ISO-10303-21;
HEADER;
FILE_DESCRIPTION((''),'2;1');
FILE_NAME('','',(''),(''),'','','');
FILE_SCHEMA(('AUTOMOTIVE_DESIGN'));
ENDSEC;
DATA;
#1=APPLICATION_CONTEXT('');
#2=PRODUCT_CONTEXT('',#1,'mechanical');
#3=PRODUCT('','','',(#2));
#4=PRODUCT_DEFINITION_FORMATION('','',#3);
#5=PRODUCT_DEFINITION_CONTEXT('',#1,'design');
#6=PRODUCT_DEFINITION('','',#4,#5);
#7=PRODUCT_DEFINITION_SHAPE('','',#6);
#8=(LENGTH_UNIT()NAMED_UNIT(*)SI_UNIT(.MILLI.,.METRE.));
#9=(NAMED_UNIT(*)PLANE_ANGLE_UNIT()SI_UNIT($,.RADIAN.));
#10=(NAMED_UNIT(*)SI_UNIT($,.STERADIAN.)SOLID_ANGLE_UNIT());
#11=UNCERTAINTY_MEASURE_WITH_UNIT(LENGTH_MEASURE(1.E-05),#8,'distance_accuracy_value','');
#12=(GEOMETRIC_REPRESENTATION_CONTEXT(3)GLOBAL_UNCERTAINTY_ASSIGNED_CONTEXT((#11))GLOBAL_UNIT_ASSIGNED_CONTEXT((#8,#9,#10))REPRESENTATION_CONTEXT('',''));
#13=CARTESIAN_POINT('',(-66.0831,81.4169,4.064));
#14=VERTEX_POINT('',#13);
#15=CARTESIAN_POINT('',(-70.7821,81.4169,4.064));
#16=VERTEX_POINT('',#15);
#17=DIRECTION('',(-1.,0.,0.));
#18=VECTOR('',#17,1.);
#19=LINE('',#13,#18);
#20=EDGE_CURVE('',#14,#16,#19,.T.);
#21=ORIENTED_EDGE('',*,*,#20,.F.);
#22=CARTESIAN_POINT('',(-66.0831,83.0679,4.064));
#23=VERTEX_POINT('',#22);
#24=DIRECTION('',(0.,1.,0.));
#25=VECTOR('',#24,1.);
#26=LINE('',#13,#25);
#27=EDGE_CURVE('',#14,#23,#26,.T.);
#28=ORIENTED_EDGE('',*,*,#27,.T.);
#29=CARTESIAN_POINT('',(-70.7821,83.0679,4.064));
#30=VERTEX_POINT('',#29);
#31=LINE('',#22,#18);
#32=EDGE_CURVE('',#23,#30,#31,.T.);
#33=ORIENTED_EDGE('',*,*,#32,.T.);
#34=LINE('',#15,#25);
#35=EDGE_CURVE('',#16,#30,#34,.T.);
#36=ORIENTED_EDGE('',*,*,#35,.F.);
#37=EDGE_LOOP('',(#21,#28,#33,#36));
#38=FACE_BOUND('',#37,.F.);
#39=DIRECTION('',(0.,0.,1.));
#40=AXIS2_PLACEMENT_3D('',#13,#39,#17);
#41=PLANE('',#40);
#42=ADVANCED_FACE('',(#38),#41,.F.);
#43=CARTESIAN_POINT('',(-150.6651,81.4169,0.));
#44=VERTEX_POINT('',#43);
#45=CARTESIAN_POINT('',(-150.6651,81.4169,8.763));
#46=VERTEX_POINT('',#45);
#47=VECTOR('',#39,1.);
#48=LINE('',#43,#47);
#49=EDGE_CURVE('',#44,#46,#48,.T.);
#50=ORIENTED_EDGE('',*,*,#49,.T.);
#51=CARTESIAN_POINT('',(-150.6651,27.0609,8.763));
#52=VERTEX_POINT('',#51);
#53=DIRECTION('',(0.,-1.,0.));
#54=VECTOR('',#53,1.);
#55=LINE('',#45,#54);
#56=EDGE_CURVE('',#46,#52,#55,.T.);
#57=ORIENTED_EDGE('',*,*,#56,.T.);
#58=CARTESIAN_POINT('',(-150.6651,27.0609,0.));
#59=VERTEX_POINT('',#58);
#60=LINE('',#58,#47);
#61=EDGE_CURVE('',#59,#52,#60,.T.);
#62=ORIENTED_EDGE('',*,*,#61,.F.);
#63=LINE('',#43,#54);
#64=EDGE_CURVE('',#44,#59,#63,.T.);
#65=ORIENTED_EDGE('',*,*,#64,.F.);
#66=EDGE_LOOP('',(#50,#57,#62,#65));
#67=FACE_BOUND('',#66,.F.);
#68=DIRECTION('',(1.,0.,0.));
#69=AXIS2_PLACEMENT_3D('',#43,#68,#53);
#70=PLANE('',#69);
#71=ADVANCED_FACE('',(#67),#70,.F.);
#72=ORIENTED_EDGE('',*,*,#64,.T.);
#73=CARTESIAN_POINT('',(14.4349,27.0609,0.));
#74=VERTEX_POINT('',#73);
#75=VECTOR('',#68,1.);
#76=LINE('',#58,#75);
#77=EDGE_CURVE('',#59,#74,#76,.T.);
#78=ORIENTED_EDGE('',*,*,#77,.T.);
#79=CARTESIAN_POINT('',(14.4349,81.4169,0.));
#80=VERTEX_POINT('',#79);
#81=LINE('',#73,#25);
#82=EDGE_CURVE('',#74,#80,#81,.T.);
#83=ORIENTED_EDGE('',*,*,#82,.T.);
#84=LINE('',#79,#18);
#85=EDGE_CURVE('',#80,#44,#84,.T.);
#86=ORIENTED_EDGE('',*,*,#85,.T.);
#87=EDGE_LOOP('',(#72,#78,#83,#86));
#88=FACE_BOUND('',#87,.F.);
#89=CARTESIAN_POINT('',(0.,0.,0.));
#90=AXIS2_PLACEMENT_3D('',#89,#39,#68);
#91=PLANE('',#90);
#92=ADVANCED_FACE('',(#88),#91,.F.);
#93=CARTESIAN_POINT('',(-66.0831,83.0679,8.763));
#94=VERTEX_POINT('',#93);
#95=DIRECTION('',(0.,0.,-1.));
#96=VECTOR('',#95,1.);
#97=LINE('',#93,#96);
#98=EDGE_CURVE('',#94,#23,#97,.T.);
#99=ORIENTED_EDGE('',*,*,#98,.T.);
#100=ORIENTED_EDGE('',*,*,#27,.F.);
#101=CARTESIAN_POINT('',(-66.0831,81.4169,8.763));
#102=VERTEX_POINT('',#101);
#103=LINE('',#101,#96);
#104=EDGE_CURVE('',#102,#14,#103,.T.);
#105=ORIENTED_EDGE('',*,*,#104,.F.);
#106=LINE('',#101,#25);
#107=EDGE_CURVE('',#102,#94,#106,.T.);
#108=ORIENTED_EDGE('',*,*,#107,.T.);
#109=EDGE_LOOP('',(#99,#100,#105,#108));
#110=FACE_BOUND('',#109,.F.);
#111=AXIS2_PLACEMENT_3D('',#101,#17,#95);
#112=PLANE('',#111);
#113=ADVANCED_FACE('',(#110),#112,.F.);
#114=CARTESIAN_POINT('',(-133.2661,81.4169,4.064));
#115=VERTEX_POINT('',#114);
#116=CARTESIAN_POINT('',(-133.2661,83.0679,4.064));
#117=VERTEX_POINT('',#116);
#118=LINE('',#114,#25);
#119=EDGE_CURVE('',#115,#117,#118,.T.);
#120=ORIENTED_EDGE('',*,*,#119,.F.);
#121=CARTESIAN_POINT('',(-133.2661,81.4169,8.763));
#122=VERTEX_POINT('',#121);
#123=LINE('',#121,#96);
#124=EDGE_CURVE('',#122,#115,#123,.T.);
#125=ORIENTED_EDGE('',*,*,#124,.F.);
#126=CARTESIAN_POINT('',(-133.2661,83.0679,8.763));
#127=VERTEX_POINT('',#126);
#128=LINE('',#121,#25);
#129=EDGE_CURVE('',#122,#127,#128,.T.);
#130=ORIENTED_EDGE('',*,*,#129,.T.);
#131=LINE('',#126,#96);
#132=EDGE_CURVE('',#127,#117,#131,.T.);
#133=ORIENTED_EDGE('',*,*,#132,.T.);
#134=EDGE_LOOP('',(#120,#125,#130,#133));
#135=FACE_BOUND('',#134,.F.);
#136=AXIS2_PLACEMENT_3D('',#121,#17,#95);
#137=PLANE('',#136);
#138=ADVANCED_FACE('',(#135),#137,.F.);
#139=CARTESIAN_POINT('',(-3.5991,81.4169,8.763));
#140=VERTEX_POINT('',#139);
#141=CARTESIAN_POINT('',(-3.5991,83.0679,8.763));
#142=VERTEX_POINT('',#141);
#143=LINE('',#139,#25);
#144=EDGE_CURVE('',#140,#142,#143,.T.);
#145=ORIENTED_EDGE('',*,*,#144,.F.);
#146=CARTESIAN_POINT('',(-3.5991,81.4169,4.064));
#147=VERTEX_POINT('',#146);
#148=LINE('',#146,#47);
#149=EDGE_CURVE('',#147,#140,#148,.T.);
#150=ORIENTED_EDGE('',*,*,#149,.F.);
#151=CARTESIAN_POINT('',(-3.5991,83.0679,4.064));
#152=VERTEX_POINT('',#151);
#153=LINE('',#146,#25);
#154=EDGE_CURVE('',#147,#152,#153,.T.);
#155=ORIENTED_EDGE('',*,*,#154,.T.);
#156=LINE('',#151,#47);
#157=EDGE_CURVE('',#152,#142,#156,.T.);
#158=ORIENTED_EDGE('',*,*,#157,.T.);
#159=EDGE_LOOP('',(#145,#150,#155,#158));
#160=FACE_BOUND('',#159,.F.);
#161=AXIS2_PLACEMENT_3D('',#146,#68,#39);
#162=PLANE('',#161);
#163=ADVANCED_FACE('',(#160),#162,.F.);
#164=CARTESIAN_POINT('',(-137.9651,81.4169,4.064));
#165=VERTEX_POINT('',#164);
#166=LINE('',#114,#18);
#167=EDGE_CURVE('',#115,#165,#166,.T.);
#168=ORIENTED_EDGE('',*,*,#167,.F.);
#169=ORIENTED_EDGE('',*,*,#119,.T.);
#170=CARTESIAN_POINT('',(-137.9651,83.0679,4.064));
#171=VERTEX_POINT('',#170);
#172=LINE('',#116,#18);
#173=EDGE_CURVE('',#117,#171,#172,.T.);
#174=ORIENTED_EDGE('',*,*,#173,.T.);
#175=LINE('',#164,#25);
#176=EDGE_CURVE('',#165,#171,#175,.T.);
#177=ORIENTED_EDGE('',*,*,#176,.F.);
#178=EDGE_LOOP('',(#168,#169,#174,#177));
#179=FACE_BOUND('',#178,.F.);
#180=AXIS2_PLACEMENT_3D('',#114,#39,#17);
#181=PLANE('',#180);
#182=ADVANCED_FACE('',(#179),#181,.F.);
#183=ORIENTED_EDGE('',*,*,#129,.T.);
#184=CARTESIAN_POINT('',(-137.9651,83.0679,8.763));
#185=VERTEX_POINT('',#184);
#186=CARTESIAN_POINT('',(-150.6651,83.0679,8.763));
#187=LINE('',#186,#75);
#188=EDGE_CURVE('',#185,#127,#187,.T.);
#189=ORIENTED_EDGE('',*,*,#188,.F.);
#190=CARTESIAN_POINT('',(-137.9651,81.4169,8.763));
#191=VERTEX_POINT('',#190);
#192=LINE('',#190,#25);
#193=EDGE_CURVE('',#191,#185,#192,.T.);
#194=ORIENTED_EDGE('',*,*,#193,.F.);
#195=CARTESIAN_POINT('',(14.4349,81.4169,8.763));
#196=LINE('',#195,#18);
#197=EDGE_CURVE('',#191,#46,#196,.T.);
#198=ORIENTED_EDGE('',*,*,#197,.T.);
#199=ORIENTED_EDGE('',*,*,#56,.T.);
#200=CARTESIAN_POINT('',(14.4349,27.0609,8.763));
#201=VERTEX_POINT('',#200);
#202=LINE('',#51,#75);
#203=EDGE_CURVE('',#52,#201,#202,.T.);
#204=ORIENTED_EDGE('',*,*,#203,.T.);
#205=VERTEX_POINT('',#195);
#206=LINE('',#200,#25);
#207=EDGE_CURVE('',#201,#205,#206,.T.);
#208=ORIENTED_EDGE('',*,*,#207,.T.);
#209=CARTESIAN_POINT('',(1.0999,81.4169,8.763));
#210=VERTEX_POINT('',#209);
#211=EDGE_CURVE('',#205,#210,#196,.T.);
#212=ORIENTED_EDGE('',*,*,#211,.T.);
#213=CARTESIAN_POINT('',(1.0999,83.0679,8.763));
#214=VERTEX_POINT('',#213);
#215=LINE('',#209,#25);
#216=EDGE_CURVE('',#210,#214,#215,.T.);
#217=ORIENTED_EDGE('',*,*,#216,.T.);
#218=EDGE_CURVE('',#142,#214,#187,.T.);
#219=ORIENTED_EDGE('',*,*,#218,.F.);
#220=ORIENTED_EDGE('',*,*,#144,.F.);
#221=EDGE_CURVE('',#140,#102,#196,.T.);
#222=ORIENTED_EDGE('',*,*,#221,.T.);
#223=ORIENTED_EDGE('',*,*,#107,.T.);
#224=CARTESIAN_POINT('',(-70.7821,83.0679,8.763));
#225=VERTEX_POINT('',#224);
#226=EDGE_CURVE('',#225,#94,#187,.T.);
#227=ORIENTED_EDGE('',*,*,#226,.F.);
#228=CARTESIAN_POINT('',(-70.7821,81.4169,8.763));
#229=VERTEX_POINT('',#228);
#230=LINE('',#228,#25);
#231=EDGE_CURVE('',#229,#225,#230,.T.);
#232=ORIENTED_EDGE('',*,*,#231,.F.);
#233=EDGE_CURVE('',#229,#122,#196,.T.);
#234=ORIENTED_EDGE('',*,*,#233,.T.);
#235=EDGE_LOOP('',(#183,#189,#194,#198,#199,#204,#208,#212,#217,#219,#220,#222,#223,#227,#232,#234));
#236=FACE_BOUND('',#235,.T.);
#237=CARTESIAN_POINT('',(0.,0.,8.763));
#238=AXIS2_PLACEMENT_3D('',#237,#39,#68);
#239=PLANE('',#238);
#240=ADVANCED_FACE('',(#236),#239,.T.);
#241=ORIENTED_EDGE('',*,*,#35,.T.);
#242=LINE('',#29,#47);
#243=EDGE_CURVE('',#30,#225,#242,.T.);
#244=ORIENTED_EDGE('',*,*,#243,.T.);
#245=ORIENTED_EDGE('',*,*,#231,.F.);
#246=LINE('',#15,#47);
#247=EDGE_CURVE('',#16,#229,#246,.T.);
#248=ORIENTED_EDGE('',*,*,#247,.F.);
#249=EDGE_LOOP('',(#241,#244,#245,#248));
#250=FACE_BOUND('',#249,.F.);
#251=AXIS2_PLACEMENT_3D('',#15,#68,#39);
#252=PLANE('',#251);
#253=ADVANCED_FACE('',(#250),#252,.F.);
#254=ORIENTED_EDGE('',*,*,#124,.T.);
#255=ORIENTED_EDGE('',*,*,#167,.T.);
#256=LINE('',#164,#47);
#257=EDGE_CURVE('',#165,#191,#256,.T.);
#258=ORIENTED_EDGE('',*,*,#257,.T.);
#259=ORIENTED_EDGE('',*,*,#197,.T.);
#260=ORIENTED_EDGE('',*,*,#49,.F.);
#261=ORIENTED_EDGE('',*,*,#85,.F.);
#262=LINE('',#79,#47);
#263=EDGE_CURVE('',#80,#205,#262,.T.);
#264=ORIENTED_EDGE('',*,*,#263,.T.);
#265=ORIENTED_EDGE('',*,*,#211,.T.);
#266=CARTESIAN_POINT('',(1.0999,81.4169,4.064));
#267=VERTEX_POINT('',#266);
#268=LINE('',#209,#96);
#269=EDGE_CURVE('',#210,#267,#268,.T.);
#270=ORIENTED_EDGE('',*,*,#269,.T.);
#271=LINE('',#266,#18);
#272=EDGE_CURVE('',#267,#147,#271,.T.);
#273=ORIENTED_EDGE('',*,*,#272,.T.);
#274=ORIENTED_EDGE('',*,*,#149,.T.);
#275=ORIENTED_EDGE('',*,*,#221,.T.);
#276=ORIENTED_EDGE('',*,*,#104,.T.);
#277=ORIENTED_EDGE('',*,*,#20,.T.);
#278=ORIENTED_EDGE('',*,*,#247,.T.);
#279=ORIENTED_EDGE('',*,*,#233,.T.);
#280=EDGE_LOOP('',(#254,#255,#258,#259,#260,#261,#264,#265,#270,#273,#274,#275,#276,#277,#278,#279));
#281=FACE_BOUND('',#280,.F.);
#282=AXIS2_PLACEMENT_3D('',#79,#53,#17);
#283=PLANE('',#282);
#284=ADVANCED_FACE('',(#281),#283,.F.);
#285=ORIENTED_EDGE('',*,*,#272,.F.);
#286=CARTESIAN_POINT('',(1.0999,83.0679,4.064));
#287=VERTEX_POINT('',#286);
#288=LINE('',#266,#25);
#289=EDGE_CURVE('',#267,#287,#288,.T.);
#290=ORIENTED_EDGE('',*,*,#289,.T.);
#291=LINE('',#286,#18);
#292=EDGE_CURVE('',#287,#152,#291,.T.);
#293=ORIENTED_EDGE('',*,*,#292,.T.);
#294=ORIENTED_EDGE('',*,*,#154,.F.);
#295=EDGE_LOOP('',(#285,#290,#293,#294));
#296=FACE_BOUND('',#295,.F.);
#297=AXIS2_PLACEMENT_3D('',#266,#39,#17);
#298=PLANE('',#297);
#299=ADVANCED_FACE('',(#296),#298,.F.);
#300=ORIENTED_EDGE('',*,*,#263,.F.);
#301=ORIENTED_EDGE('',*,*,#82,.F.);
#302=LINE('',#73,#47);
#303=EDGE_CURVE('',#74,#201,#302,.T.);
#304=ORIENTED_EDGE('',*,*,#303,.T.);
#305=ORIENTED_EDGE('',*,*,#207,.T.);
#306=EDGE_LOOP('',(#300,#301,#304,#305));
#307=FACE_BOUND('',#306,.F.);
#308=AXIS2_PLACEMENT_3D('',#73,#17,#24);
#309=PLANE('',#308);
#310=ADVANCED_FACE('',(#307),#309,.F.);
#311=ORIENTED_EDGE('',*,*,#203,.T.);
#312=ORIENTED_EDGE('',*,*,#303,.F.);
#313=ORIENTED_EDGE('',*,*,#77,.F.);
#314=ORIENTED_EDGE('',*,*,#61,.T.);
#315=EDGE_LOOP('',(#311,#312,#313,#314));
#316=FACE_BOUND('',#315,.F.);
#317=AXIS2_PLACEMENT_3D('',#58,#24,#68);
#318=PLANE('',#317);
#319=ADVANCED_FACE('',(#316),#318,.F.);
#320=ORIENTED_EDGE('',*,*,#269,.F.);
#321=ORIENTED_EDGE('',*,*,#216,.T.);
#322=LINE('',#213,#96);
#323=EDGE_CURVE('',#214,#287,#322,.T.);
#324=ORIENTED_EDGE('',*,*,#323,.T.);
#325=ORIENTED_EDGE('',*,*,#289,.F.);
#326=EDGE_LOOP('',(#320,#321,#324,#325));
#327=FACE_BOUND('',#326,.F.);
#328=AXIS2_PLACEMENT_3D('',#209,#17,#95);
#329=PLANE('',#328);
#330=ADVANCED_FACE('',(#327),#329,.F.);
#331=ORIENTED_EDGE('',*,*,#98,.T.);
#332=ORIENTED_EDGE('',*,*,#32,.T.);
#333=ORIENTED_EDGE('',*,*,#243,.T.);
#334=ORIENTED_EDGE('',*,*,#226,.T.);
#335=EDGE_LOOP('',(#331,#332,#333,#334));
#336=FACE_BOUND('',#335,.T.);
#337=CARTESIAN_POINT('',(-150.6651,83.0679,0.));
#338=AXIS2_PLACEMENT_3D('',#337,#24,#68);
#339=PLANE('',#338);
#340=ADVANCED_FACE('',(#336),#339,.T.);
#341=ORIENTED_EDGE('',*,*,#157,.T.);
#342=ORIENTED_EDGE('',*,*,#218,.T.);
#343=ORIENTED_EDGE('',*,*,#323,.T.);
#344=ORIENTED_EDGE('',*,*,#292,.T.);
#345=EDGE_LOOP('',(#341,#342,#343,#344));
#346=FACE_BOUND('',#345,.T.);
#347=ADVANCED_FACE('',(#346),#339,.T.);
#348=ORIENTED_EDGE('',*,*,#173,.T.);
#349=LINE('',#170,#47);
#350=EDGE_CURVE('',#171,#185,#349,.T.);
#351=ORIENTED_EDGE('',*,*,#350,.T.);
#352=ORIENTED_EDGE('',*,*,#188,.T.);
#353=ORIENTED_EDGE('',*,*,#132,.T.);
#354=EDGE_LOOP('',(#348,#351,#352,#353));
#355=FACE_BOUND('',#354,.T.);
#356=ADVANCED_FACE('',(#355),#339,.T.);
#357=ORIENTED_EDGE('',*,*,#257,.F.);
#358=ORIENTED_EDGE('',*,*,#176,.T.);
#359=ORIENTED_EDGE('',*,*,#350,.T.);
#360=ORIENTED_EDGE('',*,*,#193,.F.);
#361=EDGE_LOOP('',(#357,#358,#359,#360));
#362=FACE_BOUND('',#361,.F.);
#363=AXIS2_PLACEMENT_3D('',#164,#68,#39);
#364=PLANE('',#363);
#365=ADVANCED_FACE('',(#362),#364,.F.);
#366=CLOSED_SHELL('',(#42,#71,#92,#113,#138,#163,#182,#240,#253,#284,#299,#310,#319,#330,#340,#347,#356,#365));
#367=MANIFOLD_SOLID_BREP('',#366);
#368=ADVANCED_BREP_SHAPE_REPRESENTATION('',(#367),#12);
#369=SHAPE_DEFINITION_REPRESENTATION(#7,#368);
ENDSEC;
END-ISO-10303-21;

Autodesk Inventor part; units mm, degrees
ref_plane "YZ Plane" through (0, 0, 0) normal (1, 0, 0) x (0, 1, 0)
ref_plane "XZ Plane" through (0, 0, 0) normal (0, 1, 0) x (-1, 0, 0)
ref_plane "XY Plane" through (0, 0, 0) normal (0, 0, 1) x (1, 0, 0)
sketch "Sketch1" plane through (0, 0, 0) normal (0, 0, 1) x (1, 0, 0)
  line L0 (-150.6651, 27.0609) -> (14.4349, 27.0609)
  line L1 (14.4349, 27.0609) -> (14.4349, 81.4169)
  line L2 (14.4349, 81.4169) -> (-150.6651, 81.4169)
  line L3 (-150.6651, 81.4169) -> (-150.6651, 27.0609)
  point P0 (0, 0)
  dimension "d0" = 165.1
  dimension "d1" = 54.356
extrude "Extrusion1" add sketch "Sketch1" along normal blind 8.763
sketch "Sketch2" plane through (-150.6651, 81.4169, 0) normal (0, 1, 0) x (1, 0, 0)
  line L0 (0, -8.763) -> (165.1, -8.763) projected
  line L1 (12.7, -8.763) -> (17.399, -8.763)
  line L2 (17.399, -8.763) -> (17.399, -4.064)
  line L3 (17.399, -4.064) -> (12.7, -4.064)
  line L4 (12.7, -4.064) -> (12.7, -8.763)
  line L5 (0, 0) -> (0, -8.763) projected
  line L6 (79.883, -4.064) -> (79.883, -8.763)
  line L7 (84.582, -4.064) -> (79.883, -4.064)
  line L8 (84.582, -8.763) -> (84.582, -4.064)
  line L9 (79.883, -8.763) -> (84.582, -8.763)
  line L10 (147.066, -4.064) -> (147.066, -8.763)
  line L11 (151.765, -4.064) -> (147.066, -4.064)
  line L12 (151.765, -8.763) -> (151.765, -4.064)
  line L13 (147.066, -8.763) -> (151.765, -8.763)
  point P0 (150.6651, 0)
  dimension "d4" = 4.699
  dimension "d5" = 4.699
  dimension "d6" = 12.7
  dimension "d9" = 67.183
extrude "Extrusion2" add sketch "Sketch2" along normal blind 1.651
sketch "Sketch3" plane through (0, 0, 0) normal (0, 0, -1) x (-1, 0, 0)
  line L0 (57.8264, 56.7985) -> (80.4764, 56.7985) construction
  line L1 (80.4764, 56.7985) -> (80.4764, 50.7025) construction
  line L2 (80.4764, 50.7025) -> (57.8264, 50.7025) construction
  line L3 (57.8264, 50.7025) -> (57.8264, 56.7985) construction
  point P0 (0, 0)
properties part number "Breadboard"
